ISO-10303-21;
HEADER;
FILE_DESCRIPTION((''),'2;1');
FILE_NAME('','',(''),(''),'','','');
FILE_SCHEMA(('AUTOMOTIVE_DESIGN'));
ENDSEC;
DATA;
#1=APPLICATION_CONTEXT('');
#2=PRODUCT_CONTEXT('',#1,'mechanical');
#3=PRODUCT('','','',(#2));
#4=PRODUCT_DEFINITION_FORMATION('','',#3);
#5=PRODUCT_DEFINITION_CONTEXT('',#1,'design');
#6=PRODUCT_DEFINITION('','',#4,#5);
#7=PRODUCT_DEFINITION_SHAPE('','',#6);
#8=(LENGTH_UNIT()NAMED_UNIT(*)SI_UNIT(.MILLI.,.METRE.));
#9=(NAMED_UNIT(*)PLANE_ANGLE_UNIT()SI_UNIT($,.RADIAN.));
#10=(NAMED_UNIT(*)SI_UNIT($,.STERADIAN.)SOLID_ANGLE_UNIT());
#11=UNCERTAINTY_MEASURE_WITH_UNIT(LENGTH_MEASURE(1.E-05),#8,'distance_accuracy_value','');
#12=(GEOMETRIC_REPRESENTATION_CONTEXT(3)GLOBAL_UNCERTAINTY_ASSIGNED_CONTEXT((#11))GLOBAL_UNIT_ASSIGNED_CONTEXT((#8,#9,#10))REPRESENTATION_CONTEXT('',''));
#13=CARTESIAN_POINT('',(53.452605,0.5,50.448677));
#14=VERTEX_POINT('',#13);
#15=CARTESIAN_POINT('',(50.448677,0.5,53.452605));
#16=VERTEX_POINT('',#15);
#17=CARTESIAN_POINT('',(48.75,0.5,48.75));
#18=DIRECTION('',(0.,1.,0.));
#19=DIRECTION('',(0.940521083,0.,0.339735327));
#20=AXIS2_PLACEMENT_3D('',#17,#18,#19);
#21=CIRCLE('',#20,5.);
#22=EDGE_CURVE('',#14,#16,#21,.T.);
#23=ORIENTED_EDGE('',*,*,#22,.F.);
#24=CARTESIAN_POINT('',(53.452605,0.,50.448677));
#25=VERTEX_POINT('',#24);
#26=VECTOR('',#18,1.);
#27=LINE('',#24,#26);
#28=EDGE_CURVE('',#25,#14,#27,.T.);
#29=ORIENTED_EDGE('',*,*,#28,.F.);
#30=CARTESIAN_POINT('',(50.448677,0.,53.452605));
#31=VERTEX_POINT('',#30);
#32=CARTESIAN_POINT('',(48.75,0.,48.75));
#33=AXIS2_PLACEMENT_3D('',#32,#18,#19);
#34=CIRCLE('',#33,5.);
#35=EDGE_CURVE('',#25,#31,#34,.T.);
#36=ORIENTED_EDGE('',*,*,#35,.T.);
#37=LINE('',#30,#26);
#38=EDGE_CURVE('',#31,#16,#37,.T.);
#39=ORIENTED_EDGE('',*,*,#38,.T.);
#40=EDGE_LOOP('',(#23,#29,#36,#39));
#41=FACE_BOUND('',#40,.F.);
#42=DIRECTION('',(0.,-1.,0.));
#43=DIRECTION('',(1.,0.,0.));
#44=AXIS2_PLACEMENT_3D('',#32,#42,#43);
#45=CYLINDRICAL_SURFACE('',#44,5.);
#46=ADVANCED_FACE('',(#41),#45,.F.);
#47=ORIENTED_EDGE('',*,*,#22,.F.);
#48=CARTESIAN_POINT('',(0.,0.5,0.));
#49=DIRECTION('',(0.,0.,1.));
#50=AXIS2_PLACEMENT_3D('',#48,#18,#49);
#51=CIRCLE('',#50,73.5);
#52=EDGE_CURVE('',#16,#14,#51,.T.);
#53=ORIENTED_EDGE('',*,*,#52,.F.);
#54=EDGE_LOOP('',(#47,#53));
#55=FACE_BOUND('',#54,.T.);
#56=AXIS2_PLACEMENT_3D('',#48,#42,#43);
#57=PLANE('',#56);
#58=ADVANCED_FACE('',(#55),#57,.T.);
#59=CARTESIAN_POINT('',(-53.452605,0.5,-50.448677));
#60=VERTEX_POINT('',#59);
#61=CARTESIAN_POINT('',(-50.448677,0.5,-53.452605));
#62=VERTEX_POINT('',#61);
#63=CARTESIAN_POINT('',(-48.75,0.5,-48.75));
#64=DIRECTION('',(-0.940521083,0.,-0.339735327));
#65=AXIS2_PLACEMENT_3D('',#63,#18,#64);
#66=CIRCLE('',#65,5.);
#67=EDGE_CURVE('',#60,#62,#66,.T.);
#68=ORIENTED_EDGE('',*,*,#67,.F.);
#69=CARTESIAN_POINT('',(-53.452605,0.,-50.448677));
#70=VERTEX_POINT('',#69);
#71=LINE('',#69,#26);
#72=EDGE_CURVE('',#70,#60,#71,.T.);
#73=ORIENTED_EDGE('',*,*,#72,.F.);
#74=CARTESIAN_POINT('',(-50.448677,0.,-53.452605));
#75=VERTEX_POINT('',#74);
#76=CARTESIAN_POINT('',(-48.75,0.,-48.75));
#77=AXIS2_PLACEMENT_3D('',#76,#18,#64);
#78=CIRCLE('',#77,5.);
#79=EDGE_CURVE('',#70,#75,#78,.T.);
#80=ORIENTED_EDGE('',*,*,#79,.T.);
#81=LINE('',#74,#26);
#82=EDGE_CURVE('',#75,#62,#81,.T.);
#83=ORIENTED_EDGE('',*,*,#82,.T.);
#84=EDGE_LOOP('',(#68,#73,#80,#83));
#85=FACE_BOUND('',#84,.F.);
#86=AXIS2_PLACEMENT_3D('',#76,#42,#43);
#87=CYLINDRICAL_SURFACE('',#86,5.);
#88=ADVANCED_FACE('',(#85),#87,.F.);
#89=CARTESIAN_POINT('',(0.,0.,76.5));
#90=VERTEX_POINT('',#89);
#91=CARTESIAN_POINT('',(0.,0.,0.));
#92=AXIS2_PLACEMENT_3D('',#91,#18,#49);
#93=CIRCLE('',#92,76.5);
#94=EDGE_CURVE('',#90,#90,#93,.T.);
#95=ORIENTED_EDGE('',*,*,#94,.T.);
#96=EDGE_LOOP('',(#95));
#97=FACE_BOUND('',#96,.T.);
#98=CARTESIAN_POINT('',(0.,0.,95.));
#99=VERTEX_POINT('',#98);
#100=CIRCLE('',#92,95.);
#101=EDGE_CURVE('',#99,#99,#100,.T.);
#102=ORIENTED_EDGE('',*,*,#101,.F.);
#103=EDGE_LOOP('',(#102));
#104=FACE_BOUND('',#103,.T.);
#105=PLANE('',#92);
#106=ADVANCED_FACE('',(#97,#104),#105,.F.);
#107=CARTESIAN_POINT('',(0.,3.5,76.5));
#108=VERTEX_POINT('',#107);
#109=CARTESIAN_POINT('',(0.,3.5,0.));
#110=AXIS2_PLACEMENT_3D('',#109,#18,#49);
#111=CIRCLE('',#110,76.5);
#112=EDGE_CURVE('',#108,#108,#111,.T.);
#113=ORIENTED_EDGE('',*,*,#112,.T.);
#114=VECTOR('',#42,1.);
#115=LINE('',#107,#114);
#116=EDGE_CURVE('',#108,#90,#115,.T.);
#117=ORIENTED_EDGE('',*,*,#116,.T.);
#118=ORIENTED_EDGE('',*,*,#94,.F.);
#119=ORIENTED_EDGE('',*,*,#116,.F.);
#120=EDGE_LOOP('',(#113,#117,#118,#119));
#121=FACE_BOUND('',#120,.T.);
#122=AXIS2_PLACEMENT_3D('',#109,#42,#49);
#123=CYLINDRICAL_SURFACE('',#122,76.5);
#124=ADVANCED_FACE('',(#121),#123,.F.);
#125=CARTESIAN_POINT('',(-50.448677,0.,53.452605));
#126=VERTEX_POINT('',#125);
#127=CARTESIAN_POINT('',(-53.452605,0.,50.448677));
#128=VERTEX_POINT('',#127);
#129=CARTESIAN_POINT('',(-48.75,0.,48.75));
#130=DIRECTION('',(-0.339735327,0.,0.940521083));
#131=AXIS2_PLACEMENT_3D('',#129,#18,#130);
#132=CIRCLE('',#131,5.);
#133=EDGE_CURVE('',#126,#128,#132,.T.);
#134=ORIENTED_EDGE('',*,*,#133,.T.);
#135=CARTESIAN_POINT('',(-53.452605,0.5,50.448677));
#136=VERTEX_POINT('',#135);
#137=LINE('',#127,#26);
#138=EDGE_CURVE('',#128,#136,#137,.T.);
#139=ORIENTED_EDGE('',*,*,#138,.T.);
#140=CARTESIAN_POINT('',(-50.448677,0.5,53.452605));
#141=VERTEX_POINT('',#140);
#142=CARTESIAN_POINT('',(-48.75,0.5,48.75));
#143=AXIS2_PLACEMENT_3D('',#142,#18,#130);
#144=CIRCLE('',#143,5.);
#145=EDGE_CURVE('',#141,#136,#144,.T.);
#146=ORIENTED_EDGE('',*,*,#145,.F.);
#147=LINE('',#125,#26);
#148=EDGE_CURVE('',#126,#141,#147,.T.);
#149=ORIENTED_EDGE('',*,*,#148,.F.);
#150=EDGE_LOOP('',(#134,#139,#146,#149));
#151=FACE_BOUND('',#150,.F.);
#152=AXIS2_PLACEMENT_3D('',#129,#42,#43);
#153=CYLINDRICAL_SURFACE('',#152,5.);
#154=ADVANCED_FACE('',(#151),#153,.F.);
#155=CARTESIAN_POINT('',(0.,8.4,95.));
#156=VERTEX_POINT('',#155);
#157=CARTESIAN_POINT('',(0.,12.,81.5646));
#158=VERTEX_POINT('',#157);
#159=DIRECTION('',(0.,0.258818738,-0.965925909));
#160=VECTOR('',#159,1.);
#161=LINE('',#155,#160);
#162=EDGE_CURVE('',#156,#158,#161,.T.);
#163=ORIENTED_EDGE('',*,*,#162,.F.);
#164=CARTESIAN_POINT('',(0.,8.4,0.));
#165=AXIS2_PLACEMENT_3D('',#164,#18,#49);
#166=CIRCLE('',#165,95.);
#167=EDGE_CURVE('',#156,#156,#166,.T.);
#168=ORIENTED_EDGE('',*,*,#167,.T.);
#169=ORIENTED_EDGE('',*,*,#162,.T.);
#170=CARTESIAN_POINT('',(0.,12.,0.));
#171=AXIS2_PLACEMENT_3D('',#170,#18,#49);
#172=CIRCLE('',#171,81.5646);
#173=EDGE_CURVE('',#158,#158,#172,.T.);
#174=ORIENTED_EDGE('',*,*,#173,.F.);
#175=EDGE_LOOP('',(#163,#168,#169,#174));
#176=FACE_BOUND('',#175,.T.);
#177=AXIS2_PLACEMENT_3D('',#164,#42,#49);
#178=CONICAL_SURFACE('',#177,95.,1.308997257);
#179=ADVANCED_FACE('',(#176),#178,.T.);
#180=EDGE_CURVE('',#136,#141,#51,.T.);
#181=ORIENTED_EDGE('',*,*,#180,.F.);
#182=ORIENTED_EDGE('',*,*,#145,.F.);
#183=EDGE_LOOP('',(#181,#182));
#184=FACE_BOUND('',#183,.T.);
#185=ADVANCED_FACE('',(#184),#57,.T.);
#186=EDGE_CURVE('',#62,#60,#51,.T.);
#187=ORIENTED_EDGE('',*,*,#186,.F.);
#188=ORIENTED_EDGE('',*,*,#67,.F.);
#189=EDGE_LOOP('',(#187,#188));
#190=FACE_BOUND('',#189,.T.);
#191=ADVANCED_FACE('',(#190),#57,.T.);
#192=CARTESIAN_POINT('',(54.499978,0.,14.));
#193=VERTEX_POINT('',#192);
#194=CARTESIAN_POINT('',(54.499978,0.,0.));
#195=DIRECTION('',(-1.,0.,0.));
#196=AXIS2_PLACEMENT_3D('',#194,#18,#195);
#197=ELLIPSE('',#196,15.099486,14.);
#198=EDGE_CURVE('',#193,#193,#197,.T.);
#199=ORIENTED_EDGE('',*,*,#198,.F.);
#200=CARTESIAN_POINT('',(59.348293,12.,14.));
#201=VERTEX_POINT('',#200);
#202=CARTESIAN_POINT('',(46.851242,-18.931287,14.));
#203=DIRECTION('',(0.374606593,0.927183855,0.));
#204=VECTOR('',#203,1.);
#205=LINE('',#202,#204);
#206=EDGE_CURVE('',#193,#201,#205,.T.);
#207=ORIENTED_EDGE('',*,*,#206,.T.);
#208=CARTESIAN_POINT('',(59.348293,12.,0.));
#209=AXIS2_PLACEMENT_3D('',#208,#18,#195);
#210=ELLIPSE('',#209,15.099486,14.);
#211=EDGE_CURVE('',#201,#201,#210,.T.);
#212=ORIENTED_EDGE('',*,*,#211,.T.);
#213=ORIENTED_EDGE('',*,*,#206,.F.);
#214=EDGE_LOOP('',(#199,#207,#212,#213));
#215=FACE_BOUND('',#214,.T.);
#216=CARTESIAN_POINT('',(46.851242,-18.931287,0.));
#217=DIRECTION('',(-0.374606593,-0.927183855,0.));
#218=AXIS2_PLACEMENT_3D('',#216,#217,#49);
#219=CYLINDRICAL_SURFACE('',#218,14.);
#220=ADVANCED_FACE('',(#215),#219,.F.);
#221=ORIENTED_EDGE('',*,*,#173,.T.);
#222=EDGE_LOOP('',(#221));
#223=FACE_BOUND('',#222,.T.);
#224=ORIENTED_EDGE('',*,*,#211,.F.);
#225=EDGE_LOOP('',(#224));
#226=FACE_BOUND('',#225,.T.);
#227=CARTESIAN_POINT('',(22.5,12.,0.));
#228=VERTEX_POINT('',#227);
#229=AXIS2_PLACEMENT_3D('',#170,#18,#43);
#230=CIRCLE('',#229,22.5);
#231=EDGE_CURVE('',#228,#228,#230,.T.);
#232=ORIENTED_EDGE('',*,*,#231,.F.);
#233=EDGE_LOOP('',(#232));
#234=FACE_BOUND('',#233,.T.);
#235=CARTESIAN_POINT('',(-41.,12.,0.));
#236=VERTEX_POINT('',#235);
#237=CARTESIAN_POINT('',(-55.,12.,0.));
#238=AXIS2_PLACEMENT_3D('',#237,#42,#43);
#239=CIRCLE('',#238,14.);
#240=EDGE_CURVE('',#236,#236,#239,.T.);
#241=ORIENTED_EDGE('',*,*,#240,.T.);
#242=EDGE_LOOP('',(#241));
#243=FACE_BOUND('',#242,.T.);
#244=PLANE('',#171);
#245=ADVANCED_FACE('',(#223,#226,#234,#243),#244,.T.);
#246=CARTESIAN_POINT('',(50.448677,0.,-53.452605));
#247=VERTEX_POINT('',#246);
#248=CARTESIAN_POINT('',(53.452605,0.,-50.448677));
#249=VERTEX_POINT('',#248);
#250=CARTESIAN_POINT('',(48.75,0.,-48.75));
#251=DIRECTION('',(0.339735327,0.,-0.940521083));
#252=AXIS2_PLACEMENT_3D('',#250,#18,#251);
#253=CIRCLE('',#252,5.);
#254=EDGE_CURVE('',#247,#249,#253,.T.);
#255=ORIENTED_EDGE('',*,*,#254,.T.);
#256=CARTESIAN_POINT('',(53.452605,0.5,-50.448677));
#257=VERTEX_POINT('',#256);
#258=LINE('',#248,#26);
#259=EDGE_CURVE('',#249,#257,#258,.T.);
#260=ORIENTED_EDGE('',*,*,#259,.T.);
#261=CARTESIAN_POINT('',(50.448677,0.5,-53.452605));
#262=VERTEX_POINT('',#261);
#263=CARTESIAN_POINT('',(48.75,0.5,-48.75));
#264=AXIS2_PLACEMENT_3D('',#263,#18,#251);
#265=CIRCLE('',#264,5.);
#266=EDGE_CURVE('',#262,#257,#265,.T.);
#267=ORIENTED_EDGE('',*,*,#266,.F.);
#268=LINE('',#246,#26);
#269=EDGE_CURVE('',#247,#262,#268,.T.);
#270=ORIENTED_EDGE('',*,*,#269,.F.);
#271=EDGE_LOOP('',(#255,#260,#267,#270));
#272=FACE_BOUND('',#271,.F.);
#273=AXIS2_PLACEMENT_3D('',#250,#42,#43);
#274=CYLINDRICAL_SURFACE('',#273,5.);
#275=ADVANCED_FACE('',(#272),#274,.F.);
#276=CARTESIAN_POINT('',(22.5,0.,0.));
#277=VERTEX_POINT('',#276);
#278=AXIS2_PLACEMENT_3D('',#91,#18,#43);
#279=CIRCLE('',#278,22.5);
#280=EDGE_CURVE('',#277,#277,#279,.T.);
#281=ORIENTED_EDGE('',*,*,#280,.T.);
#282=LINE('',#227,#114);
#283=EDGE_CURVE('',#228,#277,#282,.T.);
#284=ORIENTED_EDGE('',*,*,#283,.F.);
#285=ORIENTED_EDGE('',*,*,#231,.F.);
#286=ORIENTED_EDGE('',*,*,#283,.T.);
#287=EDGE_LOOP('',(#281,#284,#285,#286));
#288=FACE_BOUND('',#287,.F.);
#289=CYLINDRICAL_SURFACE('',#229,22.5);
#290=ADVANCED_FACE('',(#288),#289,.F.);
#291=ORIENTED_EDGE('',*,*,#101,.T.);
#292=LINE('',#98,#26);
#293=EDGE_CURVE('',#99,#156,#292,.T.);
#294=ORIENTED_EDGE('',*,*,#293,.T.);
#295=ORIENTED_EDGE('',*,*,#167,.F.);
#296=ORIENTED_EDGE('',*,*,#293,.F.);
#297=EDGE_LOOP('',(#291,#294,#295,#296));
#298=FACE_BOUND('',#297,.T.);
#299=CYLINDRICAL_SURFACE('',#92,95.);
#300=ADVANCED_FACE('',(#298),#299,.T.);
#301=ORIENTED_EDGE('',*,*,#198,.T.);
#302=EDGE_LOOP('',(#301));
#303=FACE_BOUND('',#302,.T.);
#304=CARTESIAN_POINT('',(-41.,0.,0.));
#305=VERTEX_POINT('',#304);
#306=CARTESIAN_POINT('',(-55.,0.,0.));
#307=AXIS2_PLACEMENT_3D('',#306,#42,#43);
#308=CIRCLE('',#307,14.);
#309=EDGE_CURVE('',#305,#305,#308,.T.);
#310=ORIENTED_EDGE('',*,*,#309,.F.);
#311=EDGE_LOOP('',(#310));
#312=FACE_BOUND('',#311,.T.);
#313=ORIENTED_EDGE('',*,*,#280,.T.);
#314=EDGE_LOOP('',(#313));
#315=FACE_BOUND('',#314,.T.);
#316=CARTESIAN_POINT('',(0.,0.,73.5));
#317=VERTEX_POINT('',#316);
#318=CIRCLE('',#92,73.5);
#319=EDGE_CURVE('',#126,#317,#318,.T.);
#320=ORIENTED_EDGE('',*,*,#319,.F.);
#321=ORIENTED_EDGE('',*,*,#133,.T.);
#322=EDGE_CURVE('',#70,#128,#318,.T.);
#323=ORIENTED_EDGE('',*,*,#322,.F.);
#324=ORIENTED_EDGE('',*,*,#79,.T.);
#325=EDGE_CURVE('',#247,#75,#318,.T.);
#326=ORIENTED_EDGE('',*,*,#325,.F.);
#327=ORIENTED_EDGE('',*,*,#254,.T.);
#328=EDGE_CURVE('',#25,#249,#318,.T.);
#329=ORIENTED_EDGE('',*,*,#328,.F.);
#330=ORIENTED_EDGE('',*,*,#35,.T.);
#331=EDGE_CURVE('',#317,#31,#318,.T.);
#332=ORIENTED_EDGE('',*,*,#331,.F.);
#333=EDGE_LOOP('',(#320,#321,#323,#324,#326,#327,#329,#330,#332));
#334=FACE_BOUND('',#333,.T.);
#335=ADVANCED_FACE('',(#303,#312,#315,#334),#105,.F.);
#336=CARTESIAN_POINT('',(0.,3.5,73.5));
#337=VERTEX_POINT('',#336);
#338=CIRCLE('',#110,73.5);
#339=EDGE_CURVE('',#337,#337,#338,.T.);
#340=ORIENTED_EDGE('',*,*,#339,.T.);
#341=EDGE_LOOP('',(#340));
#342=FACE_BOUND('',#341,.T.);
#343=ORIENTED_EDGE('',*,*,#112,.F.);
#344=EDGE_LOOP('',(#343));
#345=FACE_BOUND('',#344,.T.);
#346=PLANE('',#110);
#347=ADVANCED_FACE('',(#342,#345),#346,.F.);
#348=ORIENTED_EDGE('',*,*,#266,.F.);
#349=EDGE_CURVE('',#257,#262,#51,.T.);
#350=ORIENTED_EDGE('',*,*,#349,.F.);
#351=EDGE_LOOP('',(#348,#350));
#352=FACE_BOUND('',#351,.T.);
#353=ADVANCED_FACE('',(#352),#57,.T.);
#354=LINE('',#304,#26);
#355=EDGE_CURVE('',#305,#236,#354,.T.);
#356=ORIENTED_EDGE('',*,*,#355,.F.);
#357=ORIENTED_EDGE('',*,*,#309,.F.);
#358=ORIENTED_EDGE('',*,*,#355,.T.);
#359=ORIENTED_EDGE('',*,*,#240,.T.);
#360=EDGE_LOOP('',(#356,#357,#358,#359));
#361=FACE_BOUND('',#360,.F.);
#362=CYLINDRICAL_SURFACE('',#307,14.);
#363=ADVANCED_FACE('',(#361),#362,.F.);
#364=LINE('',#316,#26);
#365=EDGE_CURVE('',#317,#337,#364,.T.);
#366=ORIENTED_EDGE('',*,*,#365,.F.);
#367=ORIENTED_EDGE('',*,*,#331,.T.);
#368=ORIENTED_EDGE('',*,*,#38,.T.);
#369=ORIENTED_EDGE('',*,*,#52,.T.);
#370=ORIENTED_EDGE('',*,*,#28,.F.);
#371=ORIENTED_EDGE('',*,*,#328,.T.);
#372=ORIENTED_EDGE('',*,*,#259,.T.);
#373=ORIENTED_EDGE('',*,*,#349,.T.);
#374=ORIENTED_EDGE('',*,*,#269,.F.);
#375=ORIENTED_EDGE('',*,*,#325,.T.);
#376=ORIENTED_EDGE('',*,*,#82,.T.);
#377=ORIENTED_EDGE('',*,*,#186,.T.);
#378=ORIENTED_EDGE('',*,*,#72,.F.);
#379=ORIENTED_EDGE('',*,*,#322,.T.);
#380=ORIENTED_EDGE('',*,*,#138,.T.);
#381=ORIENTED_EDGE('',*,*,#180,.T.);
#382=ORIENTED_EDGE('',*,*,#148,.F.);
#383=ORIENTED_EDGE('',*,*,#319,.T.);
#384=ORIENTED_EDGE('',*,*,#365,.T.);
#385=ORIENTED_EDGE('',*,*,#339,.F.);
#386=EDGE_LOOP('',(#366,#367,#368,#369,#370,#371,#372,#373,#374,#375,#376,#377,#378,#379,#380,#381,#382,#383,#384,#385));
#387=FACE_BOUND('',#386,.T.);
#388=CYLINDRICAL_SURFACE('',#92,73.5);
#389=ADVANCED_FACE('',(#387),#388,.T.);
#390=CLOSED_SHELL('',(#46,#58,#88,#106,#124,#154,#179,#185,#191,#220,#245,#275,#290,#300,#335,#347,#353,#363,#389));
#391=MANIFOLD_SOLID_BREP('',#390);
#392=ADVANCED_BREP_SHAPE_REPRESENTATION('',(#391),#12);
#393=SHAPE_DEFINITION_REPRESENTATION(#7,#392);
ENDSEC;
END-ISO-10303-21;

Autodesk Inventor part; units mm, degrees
ref_plane "XZ Plane" through (0, 0, 0) normal (0, 1, 0) x (-1, 0, 0)
ref_plane "XY Plane" through (0, 0, 0) normal (0, 0, 1) x (1, 0, 0)
sketch "Sketch1" plane through (0, 0, 0) normal (1, 0, 0) x (0, 1, 0)
  line L0 (0, 95) -> (8.4, 95)
  line L1 (8.4, 95) -> (12, 81.5646)
  line L2 (12, 81.5646) -> (12, 0)
  line L3 (12, 0) -> (0, 0)
  line L4 (0, 0) -> (0, 73.5)
  line L5 (0, 73.5) -> (3.5, 73.5)
  line L6 (3.5, 73.5) -> (3.5, 76.5)
  line L7 (3.5, 76.5) -> (0, 76.5)
  line L8 (0, 76.5) -> (0, 95)
  line L9 (0, 114) -> (0, -19) construction
  line L10 (-2.4, 0) -> (14.4, 0) projected
  dimension "d0" = 95
  dimension "d1" = 12
  dimension "d2" = 8.4
  dimension "d3" = 3.5
  dimension "d4" = 3
  dimension "d5" = 73.5
  dimension "d6" = 165
revolve "Revolution1" add sketch "Sketch1" angle 360 about axis through (0, -10, 0) along (0, 1, 0)
sketch "Sketch2" plane through (0, 12, 0) normal (0, 1, 0) x (1, 0, 0)
  circle A0 centre (0, 0) radius 22.5
  circle A1 centre (54.5, 0) radius 2.5
  dimension "d8" = 45
  dimension "d12" = 5
  dimension "d13" = 54.5
extrude "Extrusion1" cut sketch "Sketch2" against normal through all
ref_plane "Work Plane1" through (0, 0, 0) normal (0.3746, 0.9272, 0) x (0, 0, 1)
sketch "Sketch3" plane through (0, 0, 0) normal (0.3746, 0.9272, 0) x (0, 0, 1)
  ellipse E0 centre (0, 50.5315) end of major axis (-2.5, 50.5315) minor radius 2.318 projected
  circle A0 centre (0, 50.5315) radius 14
  point P0 (0, 0)
  dimension "d14" = 28
extrude "Extrusion2" cut sketch "Sketch3" along normal blind 73 contours E0 | A0
sketch "Sketch4" plane through (0, 0, 0) normal (0, -1, 0) x (1, 0, 0)
  line L0 (-48.75, -48.75) -> (-48.75, 48.75) construction
  line L1 (-48.75, 48.75) -> (48.75, 48.75) construction
  line L2 (48.75, 48.75) -> (48.75, -48.75) construction
  line L3 (48.75, -48.75) -> (-48.75, -48.75) construction
  line L4 (0, 133) -> (0, -133) construction
  circle A0 centre (48.75, 48.75) radius 5
  circle A1 centre (-48.75, 48.75) radius 5
  circle A2 centre (-48.75, -48.75) radius 5
  circle A3 centre (48.75, -48.75) radius 5
  point P0 (0, 0)
  point P1 (0, 0)
  dimension "d17" = 97.5
  dimension "d18" = 10
extrude "Extrusion3" cut sketch "Sketch4" against normal blind 0.5
sketch "Sketch5" plane through (0, 0, 0) normal (0, -1, 0) x (1, 0, 0)
  circle A0 centre (-55, 0) radius 14
  point P0 (0, 0)
  dimension "d21" = 28
  dimension "d22" = 55
extrude "Extrusion4" cut sketch "Sketch5" against normal through all
properties part number "KF160"
